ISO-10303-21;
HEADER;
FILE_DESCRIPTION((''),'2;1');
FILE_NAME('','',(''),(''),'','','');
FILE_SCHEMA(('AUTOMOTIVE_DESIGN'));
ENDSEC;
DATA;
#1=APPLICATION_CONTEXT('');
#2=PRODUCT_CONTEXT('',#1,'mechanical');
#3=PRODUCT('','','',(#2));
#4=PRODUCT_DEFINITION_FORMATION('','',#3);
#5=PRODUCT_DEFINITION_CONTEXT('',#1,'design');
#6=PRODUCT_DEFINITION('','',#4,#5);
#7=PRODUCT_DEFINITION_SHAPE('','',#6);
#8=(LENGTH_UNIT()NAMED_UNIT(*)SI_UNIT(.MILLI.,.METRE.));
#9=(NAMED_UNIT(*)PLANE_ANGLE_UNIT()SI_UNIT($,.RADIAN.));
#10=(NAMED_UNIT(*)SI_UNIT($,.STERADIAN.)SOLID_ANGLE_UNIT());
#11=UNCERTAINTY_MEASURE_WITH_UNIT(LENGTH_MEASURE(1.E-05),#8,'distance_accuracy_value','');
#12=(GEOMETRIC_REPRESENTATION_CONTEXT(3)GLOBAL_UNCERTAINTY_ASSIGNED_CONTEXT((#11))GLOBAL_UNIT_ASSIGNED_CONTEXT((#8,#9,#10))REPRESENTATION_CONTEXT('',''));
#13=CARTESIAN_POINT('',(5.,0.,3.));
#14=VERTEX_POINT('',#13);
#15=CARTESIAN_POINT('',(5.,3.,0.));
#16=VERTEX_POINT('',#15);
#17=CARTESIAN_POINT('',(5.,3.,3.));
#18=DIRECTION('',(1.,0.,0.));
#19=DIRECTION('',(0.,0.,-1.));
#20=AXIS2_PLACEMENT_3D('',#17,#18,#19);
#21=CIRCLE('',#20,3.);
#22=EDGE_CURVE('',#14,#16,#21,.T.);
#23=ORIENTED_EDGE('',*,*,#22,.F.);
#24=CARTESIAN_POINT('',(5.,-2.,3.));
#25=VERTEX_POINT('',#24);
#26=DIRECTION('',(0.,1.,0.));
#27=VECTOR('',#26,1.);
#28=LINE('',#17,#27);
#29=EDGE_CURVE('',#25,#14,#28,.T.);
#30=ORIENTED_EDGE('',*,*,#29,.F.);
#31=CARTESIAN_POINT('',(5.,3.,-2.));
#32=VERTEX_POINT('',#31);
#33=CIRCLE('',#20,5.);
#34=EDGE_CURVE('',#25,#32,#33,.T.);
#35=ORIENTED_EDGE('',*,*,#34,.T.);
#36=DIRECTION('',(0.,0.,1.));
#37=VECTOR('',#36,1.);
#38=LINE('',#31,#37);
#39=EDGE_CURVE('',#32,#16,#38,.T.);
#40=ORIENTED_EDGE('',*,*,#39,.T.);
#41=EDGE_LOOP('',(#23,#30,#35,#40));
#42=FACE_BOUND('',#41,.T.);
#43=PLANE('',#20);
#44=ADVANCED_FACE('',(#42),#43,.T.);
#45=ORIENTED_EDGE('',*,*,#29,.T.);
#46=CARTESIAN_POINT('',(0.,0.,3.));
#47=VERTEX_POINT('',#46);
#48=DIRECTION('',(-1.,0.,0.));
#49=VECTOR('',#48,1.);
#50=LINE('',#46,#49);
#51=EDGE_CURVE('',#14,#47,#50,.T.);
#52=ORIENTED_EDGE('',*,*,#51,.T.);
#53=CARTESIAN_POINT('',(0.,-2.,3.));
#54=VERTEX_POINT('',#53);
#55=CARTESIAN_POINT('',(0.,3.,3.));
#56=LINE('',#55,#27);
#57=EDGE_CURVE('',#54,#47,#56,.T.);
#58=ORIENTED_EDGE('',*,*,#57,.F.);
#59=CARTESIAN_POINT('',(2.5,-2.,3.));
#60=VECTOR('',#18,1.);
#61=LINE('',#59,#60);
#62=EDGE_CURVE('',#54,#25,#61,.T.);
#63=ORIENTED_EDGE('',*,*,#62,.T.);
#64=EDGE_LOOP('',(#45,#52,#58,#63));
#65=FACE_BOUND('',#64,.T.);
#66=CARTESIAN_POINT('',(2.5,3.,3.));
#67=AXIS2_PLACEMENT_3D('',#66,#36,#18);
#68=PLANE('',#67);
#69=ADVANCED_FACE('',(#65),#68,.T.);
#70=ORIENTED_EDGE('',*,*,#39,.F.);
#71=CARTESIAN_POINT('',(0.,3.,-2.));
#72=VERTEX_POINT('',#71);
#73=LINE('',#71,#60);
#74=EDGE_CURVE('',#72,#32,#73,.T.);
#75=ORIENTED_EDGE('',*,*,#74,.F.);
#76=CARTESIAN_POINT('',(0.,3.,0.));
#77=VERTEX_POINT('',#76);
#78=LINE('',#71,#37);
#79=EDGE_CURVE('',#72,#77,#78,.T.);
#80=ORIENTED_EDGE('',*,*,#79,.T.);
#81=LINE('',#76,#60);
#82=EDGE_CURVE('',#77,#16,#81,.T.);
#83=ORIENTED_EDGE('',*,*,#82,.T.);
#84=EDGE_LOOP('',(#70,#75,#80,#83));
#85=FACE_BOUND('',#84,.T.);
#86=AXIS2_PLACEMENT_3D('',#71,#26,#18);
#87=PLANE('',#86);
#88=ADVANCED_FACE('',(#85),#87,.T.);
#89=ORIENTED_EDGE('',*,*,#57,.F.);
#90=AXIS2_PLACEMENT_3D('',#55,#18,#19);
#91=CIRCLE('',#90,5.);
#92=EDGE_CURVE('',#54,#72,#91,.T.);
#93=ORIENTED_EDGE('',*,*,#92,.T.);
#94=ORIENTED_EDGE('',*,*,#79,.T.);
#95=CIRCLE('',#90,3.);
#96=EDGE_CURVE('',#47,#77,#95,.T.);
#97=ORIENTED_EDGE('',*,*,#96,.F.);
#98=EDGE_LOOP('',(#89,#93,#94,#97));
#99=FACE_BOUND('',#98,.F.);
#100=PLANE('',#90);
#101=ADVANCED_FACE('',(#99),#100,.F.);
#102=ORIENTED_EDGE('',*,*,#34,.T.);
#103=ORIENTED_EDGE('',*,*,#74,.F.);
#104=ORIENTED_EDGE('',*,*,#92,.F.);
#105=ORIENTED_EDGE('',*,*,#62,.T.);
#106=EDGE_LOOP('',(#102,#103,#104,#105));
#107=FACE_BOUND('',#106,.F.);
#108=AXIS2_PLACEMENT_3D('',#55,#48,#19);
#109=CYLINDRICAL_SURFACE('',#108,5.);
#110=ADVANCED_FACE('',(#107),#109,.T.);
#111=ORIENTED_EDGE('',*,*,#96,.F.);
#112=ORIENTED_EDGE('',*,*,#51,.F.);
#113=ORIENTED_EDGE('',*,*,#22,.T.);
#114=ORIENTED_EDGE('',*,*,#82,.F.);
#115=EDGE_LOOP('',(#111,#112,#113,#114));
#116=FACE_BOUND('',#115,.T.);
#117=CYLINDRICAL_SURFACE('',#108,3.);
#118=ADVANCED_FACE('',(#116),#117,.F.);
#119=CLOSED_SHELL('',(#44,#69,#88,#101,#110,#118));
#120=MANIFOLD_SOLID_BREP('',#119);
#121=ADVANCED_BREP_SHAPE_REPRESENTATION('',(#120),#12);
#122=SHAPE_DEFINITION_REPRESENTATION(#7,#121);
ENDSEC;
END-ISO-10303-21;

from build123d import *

# Parameters (mm, degrees)
BOX008_W      = 5
BOX008_H      = 10
BOX008_DEPTH  = 5
BOX007_W      = 5
BOX007_H      = 5
BOX007_DEPTH  = 10
TUBE003_R     = 5
TUBE003_R_2   = 3
TUBE003_DEPTH = 5


with BuildPart() as cube008:
    # Box008 → Box008 (new body)
    with BuildSketch(Plane(origin=(0, -2, 3), x_dir=(1, 0, 0), z_dir=(0, 0, 1))):
        with Locations((2.5, 5)):
            Rectangle(BOX008_W, BOX008_H)
    extrude(amount=BOX008_DEPTH)


with BuildPart() as cube007:
    # Box007 → Box007 (new body)
    with BuildSketch(Plane(origin=(0, 3, -2), x_dir=(1, 0, 0), z_dir=(0, 0, 1))):
        with Locations((2.5, 2.5)):
            Rectangle(BOX007_W, BOX007_H)
    extrude(amount=BOX007_DEPTH)


with BuildPart() as cut007:
    # Tube003 → Tube003 (new body)
    with BuildSketch(Plane(origin=(0, 3, 3), x_dir=(0, 0, -1), z_dir=(1, 0, 0))):
        Circle(TUBE003_R)
        Circle(TUBE003_R_2, mode=Mode.SUBTRACT)
    extrude(amount=TUBE003_DEPTH)

    # Cut006: cut Cube007
    add(cube007.part, mode=Mode.SUBTRACT)

    # Cut007: cut Cube008
    add(cube008.part, mode=Mode.SUBTRACT)


solid = cut007.part
